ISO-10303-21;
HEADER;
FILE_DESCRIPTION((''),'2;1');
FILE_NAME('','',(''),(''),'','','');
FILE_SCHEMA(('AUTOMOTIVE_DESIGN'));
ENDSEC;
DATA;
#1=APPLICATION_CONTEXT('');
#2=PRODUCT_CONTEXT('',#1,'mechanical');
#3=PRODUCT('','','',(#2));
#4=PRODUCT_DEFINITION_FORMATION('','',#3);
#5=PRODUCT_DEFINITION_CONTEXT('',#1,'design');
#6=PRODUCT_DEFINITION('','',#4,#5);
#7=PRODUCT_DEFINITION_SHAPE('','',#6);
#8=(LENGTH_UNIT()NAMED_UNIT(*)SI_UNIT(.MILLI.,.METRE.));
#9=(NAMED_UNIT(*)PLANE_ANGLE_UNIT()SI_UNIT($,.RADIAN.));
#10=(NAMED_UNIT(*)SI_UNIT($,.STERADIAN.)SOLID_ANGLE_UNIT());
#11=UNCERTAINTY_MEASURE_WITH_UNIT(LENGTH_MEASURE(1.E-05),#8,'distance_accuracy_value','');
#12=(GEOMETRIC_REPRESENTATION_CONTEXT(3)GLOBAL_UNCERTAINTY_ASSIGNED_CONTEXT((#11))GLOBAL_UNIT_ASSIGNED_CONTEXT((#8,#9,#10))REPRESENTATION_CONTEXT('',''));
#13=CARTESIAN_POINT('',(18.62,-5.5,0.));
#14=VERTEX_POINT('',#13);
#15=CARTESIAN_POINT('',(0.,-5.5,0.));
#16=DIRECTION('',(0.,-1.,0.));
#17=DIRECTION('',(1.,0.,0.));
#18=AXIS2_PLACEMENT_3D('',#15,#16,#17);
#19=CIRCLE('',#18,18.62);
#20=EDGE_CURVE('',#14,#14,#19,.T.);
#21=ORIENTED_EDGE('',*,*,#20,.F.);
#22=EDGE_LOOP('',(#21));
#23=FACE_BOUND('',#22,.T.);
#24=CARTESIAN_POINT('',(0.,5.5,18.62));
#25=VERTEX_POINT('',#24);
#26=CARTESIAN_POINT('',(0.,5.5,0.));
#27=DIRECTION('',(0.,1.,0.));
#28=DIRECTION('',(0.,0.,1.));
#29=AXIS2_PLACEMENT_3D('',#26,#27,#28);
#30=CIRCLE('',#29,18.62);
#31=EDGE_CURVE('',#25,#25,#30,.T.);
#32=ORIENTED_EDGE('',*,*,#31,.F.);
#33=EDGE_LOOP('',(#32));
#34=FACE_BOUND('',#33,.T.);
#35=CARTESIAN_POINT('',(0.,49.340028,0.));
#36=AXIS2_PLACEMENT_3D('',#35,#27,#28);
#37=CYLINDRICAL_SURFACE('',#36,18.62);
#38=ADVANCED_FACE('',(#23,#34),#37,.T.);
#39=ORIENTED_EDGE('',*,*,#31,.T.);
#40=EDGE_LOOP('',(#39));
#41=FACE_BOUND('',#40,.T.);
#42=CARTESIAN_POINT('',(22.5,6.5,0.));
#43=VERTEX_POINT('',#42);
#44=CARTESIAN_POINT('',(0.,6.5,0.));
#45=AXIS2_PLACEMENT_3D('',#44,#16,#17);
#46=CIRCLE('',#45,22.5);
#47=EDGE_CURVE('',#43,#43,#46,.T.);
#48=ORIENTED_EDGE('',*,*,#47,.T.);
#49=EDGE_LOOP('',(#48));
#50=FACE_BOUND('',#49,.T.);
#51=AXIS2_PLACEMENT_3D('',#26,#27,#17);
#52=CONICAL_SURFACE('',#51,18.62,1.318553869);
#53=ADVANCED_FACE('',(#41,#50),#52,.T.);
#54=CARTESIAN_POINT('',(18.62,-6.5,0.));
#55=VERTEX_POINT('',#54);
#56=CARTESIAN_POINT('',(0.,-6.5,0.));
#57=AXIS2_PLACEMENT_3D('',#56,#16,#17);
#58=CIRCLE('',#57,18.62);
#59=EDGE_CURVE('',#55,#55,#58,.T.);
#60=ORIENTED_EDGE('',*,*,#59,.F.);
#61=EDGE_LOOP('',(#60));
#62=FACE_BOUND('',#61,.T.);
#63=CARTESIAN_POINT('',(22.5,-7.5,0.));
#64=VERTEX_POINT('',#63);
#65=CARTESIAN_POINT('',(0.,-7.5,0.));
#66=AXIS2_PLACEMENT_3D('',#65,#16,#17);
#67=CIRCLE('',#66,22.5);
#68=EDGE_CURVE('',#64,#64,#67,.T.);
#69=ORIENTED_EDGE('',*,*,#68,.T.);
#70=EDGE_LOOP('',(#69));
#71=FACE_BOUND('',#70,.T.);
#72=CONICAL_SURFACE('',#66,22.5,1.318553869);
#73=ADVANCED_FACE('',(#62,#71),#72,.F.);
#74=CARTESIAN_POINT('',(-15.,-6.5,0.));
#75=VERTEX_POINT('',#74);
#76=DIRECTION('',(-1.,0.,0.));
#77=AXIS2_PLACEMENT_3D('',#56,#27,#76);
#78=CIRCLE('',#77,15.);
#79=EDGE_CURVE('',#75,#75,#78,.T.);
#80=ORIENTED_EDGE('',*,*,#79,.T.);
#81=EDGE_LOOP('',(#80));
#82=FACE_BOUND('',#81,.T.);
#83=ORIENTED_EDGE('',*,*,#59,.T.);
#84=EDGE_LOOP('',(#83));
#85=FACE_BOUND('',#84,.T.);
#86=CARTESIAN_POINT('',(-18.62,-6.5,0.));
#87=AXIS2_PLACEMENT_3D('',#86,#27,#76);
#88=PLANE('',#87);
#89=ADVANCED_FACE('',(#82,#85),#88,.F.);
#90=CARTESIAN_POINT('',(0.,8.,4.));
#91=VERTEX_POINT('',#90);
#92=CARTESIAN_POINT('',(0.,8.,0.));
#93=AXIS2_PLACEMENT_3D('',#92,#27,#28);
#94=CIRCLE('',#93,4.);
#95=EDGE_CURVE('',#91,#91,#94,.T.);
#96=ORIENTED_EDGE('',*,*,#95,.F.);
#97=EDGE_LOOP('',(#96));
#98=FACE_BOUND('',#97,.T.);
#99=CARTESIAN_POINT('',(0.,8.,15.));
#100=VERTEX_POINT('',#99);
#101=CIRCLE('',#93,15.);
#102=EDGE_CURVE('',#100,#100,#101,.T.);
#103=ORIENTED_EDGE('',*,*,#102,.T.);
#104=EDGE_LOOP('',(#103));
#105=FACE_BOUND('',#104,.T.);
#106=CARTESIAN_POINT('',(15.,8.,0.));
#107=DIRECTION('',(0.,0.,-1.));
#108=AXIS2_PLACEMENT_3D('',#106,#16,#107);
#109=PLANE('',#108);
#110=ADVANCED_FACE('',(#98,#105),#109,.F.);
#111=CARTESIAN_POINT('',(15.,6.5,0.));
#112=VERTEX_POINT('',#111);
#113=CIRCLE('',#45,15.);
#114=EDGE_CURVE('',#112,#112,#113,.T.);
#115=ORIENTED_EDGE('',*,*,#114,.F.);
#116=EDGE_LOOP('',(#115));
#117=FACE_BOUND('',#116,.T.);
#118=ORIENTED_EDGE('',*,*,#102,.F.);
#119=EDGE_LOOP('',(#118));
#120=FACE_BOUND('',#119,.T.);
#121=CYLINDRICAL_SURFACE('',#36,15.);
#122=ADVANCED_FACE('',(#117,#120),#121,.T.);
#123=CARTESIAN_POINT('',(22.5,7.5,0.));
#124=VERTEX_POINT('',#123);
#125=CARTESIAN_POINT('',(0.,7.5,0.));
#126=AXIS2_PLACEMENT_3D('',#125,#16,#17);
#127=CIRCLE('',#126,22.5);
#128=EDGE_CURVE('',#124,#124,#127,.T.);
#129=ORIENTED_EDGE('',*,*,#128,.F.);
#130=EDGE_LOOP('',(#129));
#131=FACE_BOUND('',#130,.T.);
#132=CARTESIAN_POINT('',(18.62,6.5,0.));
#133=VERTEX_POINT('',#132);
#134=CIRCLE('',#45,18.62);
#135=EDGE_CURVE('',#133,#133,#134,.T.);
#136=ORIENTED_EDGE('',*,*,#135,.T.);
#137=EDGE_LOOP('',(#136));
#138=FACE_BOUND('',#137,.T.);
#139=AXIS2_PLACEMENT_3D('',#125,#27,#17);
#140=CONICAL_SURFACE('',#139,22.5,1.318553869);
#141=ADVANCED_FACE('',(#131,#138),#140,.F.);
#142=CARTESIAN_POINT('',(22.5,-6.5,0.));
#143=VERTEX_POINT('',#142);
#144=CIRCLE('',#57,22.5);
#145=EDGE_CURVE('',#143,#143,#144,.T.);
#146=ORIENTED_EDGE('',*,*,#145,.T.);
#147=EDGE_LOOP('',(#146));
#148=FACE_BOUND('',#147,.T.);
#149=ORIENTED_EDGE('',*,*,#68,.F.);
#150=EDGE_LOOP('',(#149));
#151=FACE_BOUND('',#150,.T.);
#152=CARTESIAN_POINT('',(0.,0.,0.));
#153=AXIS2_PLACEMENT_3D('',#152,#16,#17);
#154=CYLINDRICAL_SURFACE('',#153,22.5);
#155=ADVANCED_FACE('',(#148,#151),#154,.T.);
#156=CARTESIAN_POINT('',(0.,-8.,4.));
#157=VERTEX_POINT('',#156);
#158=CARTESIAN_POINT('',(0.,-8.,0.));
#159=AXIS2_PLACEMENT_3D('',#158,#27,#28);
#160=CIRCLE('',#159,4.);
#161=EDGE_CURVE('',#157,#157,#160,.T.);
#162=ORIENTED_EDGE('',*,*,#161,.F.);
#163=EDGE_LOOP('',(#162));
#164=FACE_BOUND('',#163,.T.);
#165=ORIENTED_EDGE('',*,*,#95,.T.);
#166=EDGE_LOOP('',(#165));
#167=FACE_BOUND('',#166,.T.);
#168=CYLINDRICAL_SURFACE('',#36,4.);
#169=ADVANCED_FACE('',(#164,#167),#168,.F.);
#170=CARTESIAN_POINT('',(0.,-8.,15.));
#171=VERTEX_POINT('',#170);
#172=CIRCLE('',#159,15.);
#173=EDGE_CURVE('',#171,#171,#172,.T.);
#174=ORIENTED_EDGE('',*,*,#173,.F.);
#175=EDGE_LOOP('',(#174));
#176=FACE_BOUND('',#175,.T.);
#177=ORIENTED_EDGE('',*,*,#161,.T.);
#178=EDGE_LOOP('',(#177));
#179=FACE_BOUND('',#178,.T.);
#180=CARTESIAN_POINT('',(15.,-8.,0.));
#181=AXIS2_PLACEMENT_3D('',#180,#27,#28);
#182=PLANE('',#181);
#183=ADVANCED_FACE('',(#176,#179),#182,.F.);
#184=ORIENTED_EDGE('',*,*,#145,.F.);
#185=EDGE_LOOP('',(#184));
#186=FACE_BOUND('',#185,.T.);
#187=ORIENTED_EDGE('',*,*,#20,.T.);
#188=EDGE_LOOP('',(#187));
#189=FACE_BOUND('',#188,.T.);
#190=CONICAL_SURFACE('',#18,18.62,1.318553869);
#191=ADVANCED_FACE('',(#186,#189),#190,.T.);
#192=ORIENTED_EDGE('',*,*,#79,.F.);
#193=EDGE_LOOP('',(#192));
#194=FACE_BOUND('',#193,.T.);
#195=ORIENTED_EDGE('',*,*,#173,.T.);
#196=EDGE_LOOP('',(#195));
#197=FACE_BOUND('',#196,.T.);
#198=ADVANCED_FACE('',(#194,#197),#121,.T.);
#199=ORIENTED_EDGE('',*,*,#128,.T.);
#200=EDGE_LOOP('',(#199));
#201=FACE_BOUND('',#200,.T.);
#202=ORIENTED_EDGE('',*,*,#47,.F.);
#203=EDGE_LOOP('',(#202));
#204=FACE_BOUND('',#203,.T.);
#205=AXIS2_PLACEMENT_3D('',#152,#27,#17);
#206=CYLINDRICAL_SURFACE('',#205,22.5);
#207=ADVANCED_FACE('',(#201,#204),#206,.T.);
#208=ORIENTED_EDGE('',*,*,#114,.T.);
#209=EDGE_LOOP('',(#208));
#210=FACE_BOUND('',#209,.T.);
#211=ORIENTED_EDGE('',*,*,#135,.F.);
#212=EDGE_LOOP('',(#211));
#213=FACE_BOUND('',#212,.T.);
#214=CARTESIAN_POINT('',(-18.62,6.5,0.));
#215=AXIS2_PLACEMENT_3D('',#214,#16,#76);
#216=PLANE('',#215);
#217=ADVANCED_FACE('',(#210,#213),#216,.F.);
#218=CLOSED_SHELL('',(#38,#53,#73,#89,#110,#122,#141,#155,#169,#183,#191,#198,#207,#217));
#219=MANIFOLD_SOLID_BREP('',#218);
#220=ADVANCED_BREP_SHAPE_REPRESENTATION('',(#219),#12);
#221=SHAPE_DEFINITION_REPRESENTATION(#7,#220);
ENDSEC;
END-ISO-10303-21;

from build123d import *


with BuildPart() as part:
    # 草圖1 → 旋轉1 (revolve)
    with BuildSketch(Plane.XY):
        Polygon((4, -8), (4, 8), (15, 8), (15, 5.5), (18.62, 5.5), (18.62, -5.5), (15, -5.5), (15, -8), align=None)
    revolve(axis=Axis((0, 49.340027701, 0), (0, -1, 0)))

    # 草圖7 → 旋轉2 (revolve)
    with BuildSketch(Plane.XY):
        Polygon((-22.5, -6.5), (-18.62, -5.5), (-15, -5.5), (-15, -6.5), (-18.62, -6.5), (-22.5, -7.5), align=None)
    revolve_2 = revolve(axis=Axis((0, 0, 0), (0, 1, 0)))

    # 鏡射1: 旋轉2 across plane
    add(revolve_2.mirror(Plane.ZX))


solid = part.part
